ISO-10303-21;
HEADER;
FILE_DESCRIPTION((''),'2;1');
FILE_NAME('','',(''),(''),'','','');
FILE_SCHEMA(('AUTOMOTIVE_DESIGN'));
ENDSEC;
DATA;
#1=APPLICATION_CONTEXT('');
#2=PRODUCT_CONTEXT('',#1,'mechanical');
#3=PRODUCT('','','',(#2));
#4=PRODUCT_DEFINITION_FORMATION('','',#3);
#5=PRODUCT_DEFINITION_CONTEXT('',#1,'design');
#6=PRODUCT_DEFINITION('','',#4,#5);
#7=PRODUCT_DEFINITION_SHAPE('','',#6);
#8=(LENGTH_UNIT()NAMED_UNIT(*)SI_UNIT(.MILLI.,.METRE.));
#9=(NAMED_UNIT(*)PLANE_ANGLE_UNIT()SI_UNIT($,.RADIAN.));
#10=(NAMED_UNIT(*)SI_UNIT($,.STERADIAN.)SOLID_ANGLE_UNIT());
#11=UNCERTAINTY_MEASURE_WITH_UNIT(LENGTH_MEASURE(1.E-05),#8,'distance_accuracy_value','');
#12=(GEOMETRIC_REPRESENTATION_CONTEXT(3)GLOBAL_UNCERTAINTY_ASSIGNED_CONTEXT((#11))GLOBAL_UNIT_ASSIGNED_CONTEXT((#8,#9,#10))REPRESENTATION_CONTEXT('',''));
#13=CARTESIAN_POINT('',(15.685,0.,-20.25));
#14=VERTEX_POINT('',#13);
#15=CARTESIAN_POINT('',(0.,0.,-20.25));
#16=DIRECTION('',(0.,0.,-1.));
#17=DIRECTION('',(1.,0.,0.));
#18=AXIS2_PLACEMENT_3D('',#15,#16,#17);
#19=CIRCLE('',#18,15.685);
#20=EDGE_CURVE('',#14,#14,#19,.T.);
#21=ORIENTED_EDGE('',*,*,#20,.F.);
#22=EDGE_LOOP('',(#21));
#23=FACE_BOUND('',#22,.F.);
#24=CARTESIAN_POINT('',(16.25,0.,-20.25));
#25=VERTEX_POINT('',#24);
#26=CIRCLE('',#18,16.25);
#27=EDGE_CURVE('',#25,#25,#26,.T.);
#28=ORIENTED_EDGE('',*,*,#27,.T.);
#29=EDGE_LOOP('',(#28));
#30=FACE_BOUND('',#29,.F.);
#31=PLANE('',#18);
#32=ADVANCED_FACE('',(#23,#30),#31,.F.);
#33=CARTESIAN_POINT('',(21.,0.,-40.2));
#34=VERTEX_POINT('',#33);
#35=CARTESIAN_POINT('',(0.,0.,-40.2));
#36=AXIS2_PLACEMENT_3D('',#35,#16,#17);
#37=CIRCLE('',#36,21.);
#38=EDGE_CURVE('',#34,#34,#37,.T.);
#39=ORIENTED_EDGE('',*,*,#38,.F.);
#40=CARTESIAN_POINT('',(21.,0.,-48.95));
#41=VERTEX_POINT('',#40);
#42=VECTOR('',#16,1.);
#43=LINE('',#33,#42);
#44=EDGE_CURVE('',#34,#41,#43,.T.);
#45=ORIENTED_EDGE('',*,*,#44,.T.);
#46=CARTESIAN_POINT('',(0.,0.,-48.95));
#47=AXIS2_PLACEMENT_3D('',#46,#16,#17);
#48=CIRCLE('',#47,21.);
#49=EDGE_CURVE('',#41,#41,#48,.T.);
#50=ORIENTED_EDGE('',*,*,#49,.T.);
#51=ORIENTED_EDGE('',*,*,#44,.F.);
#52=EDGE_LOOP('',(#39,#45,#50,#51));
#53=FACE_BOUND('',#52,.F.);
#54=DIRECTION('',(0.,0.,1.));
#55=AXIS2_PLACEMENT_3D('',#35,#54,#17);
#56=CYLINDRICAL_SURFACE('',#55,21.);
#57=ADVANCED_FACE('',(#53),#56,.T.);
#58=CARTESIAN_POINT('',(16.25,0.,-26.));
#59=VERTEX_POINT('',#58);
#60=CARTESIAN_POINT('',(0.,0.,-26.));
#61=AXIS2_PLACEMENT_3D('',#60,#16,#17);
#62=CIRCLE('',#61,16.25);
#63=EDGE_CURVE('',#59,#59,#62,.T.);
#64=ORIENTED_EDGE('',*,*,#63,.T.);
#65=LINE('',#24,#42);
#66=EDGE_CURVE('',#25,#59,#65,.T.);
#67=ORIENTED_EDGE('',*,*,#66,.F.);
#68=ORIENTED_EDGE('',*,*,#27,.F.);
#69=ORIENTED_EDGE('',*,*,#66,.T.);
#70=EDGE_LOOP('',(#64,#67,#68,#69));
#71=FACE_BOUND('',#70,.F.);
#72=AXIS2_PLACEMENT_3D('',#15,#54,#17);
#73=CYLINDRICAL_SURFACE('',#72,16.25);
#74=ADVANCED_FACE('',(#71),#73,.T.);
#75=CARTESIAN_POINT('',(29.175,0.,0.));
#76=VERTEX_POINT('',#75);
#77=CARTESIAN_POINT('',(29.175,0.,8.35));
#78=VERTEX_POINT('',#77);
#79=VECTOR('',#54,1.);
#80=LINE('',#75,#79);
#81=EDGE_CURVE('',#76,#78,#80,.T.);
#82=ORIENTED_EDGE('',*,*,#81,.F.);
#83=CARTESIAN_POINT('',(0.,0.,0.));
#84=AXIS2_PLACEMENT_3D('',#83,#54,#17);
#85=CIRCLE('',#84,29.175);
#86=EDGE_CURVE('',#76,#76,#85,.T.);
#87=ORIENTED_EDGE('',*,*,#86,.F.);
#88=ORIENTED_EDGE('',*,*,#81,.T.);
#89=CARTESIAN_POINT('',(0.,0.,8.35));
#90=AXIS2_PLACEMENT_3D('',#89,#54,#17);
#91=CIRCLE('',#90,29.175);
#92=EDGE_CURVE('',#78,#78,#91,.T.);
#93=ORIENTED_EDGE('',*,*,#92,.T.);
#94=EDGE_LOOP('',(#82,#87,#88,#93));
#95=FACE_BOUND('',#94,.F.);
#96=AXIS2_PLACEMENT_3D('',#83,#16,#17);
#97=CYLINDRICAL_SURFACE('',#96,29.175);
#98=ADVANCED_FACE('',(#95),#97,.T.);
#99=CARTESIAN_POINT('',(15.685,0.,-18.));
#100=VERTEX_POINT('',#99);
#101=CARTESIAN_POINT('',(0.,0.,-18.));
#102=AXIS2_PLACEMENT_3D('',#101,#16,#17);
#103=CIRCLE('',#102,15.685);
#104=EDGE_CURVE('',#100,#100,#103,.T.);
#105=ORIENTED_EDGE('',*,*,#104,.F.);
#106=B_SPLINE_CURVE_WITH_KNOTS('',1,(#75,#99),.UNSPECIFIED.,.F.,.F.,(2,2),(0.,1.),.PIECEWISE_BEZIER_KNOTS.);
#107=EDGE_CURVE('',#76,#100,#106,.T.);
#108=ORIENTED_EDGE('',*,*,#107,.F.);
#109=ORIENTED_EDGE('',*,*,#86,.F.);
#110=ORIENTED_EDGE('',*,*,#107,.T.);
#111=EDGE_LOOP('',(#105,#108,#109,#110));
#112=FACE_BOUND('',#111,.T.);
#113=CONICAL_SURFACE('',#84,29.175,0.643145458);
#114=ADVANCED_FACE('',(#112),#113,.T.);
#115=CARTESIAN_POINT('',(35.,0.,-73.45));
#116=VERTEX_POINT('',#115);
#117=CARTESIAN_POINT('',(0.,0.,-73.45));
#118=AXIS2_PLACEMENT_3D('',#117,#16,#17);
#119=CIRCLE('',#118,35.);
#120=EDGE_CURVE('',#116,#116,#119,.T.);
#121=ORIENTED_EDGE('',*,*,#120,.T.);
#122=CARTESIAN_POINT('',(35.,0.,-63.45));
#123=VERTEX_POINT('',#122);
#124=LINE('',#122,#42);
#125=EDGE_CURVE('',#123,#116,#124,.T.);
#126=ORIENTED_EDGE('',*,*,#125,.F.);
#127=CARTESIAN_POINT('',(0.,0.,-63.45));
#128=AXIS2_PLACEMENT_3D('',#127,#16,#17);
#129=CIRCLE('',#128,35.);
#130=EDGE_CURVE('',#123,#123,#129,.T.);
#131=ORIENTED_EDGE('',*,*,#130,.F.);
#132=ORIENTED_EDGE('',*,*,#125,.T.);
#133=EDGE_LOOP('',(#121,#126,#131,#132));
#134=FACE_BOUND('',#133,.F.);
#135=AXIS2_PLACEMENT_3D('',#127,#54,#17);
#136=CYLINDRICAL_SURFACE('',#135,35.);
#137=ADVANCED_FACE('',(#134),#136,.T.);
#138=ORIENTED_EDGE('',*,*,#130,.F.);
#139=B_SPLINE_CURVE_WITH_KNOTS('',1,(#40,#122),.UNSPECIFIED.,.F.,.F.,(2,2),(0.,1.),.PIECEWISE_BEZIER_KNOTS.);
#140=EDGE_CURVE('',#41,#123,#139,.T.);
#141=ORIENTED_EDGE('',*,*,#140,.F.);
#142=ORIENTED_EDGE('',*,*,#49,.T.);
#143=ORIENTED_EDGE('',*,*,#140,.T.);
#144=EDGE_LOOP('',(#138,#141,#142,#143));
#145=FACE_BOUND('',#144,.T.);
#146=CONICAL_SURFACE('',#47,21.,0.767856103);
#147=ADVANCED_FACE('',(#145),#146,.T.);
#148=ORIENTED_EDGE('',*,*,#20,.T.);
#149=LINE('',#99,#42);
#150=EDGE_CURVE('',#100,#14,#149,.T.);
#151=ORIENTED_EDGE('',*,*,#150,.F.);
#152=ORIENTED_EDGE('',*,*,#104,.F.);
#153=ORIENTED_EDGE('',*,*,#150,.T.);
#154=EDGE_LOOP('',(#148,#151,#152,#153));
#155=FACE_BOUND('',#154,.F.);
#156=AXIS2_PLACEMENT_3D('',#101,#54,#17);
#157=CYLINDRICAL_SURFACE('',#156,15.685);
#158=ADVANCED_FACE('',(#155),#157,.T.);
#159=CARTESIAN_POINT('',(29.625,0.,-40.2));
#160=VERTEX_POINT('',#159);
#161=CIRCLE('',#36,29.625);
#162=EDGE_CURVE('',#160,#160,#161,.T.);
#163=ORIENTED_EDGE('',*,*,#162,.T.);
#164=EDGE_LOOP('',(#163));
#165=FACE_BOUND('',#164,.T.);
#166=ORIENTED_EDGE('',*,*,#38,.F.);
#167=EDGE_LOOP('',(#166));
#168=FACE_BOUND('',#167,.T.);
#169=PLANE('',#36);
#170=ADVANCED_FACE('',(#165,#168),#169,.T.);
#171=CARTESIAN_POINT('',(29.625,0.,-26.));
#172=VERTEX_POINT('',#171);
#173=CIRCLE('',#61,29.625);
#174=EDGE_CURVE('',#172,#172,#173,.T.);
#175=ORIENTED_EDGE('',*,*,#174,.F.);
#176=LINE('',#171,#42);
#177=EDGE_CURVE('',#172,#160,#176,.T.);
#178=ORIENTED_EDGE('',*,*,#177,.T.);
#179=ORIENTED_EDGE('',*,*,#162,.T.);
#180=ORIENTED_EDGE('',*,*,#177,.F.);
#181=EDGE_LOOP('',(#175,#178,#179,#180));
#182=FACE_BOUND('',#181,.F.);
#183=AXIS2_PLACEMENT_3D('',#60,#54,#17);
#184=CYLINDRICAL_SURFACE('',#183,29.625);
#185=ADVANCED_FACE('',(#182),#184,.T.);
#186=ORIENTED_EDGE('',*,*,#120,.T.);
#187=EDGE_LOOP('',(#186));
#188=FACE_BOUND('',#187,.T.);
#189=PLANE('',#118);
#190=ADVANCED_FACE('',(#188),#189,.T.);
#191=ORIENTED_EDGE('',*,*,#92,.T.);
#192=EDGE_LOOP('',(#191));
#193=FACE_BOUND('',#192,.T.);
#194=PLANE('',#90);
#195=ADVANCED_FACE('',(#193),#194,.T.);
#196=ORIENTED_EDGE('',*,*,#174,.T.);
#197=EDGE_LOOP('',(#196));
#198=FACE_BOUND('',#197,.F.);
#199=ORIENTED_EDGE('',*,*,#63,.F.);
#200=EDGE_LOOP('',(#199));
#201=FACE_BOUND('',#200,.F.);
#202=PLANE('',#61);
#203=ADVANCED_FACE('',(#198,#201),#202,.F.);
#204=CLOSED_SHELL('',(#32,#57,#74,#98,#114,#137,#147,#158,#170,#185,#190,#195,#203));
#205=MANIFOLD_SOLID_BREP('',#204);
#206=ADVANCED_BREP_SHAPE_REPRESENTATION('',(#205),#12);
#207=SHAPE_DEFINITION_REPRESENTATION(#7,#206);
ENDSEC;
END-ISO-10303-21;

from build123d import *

# Parameters (mm, degrees)
F0_R       = 29.175
F1_DEPTH   = 8.35
F1_FACE_R  = 29.175
F3_R       = 15.685
F5_R       = 15.685
F6_DEPTH   = 2.25
F7_R       = 16.25
F8_DEPTH   = 5.75
F9_R       = 29.625
F10_DEPTH  = 14.2
F11_R      = 21
F12_DEPTH  = 8.75
F12_FACE_R = 21
F14_R      = 35
F16_R      = 35
F17_DEPTH  = 10


with BuildPart() as f1:
    # F0 (on Top) → F1 (new body)
    with BuildSketch(Plane.XY):
        Circle(F0_R)
    extrude(amount=F1_DEPTH)

    # F1_face (on face) → F4 section 0
    with BuildSketch(Plane(origin=(0, 0, 0), x_dir=(1, 0, 0), z_dir=(0, 0, -1))):
        Circle(F1_FACE_R)
    # F3 (on offset) → F4 section 1
    with BuildSketch(Plane(origin=(0, 0, -18), x_dir=(1, 0, 0), z_dir=(0, 0, -1))):
        Circle(F3_R)
    loft()

    # F5 (on face) → F6 (join)
    with BuildSketch(Plane(origin=(0, 0, -18), x_dir=(1, 0, 0), z_dir=(0, 0, -1))):
        Circle(F5_R)
    extrude(amount=F6_DEPTH)

    # F7 (on face) → F8 (join)
    with BuildSketch(Plane(origin=(0, 0, -20.25), x_dir=(1, 0, 0), z_dir=(0, 0, -1))):
        Circle(F7_R)
    extrude(amount=F8_DEPTH)

    # F9 (on face) → F10 (join)
    with BuildSketch(Plane(origin=(0, 0, -26), x_dir=(1, 0, 0), z_dir=(0, 0, -1))):
        Circle(F9_R)
    extrude(amount=F10_DEPTH)

    # F11 (on face) → F12 (join)
    with BuildSketch(Plane(origin=(0, 0, -40.2), x_dir=(1, 0, 0), z_dir=(0, 0, -1))):
        Circle(F11_R)
    extrude(amount=F12_DEPTH)

    # F12_face (on face) → F15 section 0
    with BuildSketch(Plane(origin=(0, 0, -48.95), x_dir=(1, 0, 0), z_dir=(0, 0, -1))):
        Circle(F12_FACE_R)
    # F14 (on offset) → F15 section 1
    with BuildSketch(Plane(origin=(0, 0, -63.45), x_dir=(1, 0, 0), z_dir=(0, 0, -1))):
        Circle(F14_R)
    loft()

    # F16 (on face) → F17 (join)
    with BuildSketch(Plane(origin=(0, 0, -63.45), x_dir=(1, 0, 0), z_dir=(0, 0, -1))):
        Circle(F16_R)
    extrude(amount=F17_DEPTH)


solid = f1.part
